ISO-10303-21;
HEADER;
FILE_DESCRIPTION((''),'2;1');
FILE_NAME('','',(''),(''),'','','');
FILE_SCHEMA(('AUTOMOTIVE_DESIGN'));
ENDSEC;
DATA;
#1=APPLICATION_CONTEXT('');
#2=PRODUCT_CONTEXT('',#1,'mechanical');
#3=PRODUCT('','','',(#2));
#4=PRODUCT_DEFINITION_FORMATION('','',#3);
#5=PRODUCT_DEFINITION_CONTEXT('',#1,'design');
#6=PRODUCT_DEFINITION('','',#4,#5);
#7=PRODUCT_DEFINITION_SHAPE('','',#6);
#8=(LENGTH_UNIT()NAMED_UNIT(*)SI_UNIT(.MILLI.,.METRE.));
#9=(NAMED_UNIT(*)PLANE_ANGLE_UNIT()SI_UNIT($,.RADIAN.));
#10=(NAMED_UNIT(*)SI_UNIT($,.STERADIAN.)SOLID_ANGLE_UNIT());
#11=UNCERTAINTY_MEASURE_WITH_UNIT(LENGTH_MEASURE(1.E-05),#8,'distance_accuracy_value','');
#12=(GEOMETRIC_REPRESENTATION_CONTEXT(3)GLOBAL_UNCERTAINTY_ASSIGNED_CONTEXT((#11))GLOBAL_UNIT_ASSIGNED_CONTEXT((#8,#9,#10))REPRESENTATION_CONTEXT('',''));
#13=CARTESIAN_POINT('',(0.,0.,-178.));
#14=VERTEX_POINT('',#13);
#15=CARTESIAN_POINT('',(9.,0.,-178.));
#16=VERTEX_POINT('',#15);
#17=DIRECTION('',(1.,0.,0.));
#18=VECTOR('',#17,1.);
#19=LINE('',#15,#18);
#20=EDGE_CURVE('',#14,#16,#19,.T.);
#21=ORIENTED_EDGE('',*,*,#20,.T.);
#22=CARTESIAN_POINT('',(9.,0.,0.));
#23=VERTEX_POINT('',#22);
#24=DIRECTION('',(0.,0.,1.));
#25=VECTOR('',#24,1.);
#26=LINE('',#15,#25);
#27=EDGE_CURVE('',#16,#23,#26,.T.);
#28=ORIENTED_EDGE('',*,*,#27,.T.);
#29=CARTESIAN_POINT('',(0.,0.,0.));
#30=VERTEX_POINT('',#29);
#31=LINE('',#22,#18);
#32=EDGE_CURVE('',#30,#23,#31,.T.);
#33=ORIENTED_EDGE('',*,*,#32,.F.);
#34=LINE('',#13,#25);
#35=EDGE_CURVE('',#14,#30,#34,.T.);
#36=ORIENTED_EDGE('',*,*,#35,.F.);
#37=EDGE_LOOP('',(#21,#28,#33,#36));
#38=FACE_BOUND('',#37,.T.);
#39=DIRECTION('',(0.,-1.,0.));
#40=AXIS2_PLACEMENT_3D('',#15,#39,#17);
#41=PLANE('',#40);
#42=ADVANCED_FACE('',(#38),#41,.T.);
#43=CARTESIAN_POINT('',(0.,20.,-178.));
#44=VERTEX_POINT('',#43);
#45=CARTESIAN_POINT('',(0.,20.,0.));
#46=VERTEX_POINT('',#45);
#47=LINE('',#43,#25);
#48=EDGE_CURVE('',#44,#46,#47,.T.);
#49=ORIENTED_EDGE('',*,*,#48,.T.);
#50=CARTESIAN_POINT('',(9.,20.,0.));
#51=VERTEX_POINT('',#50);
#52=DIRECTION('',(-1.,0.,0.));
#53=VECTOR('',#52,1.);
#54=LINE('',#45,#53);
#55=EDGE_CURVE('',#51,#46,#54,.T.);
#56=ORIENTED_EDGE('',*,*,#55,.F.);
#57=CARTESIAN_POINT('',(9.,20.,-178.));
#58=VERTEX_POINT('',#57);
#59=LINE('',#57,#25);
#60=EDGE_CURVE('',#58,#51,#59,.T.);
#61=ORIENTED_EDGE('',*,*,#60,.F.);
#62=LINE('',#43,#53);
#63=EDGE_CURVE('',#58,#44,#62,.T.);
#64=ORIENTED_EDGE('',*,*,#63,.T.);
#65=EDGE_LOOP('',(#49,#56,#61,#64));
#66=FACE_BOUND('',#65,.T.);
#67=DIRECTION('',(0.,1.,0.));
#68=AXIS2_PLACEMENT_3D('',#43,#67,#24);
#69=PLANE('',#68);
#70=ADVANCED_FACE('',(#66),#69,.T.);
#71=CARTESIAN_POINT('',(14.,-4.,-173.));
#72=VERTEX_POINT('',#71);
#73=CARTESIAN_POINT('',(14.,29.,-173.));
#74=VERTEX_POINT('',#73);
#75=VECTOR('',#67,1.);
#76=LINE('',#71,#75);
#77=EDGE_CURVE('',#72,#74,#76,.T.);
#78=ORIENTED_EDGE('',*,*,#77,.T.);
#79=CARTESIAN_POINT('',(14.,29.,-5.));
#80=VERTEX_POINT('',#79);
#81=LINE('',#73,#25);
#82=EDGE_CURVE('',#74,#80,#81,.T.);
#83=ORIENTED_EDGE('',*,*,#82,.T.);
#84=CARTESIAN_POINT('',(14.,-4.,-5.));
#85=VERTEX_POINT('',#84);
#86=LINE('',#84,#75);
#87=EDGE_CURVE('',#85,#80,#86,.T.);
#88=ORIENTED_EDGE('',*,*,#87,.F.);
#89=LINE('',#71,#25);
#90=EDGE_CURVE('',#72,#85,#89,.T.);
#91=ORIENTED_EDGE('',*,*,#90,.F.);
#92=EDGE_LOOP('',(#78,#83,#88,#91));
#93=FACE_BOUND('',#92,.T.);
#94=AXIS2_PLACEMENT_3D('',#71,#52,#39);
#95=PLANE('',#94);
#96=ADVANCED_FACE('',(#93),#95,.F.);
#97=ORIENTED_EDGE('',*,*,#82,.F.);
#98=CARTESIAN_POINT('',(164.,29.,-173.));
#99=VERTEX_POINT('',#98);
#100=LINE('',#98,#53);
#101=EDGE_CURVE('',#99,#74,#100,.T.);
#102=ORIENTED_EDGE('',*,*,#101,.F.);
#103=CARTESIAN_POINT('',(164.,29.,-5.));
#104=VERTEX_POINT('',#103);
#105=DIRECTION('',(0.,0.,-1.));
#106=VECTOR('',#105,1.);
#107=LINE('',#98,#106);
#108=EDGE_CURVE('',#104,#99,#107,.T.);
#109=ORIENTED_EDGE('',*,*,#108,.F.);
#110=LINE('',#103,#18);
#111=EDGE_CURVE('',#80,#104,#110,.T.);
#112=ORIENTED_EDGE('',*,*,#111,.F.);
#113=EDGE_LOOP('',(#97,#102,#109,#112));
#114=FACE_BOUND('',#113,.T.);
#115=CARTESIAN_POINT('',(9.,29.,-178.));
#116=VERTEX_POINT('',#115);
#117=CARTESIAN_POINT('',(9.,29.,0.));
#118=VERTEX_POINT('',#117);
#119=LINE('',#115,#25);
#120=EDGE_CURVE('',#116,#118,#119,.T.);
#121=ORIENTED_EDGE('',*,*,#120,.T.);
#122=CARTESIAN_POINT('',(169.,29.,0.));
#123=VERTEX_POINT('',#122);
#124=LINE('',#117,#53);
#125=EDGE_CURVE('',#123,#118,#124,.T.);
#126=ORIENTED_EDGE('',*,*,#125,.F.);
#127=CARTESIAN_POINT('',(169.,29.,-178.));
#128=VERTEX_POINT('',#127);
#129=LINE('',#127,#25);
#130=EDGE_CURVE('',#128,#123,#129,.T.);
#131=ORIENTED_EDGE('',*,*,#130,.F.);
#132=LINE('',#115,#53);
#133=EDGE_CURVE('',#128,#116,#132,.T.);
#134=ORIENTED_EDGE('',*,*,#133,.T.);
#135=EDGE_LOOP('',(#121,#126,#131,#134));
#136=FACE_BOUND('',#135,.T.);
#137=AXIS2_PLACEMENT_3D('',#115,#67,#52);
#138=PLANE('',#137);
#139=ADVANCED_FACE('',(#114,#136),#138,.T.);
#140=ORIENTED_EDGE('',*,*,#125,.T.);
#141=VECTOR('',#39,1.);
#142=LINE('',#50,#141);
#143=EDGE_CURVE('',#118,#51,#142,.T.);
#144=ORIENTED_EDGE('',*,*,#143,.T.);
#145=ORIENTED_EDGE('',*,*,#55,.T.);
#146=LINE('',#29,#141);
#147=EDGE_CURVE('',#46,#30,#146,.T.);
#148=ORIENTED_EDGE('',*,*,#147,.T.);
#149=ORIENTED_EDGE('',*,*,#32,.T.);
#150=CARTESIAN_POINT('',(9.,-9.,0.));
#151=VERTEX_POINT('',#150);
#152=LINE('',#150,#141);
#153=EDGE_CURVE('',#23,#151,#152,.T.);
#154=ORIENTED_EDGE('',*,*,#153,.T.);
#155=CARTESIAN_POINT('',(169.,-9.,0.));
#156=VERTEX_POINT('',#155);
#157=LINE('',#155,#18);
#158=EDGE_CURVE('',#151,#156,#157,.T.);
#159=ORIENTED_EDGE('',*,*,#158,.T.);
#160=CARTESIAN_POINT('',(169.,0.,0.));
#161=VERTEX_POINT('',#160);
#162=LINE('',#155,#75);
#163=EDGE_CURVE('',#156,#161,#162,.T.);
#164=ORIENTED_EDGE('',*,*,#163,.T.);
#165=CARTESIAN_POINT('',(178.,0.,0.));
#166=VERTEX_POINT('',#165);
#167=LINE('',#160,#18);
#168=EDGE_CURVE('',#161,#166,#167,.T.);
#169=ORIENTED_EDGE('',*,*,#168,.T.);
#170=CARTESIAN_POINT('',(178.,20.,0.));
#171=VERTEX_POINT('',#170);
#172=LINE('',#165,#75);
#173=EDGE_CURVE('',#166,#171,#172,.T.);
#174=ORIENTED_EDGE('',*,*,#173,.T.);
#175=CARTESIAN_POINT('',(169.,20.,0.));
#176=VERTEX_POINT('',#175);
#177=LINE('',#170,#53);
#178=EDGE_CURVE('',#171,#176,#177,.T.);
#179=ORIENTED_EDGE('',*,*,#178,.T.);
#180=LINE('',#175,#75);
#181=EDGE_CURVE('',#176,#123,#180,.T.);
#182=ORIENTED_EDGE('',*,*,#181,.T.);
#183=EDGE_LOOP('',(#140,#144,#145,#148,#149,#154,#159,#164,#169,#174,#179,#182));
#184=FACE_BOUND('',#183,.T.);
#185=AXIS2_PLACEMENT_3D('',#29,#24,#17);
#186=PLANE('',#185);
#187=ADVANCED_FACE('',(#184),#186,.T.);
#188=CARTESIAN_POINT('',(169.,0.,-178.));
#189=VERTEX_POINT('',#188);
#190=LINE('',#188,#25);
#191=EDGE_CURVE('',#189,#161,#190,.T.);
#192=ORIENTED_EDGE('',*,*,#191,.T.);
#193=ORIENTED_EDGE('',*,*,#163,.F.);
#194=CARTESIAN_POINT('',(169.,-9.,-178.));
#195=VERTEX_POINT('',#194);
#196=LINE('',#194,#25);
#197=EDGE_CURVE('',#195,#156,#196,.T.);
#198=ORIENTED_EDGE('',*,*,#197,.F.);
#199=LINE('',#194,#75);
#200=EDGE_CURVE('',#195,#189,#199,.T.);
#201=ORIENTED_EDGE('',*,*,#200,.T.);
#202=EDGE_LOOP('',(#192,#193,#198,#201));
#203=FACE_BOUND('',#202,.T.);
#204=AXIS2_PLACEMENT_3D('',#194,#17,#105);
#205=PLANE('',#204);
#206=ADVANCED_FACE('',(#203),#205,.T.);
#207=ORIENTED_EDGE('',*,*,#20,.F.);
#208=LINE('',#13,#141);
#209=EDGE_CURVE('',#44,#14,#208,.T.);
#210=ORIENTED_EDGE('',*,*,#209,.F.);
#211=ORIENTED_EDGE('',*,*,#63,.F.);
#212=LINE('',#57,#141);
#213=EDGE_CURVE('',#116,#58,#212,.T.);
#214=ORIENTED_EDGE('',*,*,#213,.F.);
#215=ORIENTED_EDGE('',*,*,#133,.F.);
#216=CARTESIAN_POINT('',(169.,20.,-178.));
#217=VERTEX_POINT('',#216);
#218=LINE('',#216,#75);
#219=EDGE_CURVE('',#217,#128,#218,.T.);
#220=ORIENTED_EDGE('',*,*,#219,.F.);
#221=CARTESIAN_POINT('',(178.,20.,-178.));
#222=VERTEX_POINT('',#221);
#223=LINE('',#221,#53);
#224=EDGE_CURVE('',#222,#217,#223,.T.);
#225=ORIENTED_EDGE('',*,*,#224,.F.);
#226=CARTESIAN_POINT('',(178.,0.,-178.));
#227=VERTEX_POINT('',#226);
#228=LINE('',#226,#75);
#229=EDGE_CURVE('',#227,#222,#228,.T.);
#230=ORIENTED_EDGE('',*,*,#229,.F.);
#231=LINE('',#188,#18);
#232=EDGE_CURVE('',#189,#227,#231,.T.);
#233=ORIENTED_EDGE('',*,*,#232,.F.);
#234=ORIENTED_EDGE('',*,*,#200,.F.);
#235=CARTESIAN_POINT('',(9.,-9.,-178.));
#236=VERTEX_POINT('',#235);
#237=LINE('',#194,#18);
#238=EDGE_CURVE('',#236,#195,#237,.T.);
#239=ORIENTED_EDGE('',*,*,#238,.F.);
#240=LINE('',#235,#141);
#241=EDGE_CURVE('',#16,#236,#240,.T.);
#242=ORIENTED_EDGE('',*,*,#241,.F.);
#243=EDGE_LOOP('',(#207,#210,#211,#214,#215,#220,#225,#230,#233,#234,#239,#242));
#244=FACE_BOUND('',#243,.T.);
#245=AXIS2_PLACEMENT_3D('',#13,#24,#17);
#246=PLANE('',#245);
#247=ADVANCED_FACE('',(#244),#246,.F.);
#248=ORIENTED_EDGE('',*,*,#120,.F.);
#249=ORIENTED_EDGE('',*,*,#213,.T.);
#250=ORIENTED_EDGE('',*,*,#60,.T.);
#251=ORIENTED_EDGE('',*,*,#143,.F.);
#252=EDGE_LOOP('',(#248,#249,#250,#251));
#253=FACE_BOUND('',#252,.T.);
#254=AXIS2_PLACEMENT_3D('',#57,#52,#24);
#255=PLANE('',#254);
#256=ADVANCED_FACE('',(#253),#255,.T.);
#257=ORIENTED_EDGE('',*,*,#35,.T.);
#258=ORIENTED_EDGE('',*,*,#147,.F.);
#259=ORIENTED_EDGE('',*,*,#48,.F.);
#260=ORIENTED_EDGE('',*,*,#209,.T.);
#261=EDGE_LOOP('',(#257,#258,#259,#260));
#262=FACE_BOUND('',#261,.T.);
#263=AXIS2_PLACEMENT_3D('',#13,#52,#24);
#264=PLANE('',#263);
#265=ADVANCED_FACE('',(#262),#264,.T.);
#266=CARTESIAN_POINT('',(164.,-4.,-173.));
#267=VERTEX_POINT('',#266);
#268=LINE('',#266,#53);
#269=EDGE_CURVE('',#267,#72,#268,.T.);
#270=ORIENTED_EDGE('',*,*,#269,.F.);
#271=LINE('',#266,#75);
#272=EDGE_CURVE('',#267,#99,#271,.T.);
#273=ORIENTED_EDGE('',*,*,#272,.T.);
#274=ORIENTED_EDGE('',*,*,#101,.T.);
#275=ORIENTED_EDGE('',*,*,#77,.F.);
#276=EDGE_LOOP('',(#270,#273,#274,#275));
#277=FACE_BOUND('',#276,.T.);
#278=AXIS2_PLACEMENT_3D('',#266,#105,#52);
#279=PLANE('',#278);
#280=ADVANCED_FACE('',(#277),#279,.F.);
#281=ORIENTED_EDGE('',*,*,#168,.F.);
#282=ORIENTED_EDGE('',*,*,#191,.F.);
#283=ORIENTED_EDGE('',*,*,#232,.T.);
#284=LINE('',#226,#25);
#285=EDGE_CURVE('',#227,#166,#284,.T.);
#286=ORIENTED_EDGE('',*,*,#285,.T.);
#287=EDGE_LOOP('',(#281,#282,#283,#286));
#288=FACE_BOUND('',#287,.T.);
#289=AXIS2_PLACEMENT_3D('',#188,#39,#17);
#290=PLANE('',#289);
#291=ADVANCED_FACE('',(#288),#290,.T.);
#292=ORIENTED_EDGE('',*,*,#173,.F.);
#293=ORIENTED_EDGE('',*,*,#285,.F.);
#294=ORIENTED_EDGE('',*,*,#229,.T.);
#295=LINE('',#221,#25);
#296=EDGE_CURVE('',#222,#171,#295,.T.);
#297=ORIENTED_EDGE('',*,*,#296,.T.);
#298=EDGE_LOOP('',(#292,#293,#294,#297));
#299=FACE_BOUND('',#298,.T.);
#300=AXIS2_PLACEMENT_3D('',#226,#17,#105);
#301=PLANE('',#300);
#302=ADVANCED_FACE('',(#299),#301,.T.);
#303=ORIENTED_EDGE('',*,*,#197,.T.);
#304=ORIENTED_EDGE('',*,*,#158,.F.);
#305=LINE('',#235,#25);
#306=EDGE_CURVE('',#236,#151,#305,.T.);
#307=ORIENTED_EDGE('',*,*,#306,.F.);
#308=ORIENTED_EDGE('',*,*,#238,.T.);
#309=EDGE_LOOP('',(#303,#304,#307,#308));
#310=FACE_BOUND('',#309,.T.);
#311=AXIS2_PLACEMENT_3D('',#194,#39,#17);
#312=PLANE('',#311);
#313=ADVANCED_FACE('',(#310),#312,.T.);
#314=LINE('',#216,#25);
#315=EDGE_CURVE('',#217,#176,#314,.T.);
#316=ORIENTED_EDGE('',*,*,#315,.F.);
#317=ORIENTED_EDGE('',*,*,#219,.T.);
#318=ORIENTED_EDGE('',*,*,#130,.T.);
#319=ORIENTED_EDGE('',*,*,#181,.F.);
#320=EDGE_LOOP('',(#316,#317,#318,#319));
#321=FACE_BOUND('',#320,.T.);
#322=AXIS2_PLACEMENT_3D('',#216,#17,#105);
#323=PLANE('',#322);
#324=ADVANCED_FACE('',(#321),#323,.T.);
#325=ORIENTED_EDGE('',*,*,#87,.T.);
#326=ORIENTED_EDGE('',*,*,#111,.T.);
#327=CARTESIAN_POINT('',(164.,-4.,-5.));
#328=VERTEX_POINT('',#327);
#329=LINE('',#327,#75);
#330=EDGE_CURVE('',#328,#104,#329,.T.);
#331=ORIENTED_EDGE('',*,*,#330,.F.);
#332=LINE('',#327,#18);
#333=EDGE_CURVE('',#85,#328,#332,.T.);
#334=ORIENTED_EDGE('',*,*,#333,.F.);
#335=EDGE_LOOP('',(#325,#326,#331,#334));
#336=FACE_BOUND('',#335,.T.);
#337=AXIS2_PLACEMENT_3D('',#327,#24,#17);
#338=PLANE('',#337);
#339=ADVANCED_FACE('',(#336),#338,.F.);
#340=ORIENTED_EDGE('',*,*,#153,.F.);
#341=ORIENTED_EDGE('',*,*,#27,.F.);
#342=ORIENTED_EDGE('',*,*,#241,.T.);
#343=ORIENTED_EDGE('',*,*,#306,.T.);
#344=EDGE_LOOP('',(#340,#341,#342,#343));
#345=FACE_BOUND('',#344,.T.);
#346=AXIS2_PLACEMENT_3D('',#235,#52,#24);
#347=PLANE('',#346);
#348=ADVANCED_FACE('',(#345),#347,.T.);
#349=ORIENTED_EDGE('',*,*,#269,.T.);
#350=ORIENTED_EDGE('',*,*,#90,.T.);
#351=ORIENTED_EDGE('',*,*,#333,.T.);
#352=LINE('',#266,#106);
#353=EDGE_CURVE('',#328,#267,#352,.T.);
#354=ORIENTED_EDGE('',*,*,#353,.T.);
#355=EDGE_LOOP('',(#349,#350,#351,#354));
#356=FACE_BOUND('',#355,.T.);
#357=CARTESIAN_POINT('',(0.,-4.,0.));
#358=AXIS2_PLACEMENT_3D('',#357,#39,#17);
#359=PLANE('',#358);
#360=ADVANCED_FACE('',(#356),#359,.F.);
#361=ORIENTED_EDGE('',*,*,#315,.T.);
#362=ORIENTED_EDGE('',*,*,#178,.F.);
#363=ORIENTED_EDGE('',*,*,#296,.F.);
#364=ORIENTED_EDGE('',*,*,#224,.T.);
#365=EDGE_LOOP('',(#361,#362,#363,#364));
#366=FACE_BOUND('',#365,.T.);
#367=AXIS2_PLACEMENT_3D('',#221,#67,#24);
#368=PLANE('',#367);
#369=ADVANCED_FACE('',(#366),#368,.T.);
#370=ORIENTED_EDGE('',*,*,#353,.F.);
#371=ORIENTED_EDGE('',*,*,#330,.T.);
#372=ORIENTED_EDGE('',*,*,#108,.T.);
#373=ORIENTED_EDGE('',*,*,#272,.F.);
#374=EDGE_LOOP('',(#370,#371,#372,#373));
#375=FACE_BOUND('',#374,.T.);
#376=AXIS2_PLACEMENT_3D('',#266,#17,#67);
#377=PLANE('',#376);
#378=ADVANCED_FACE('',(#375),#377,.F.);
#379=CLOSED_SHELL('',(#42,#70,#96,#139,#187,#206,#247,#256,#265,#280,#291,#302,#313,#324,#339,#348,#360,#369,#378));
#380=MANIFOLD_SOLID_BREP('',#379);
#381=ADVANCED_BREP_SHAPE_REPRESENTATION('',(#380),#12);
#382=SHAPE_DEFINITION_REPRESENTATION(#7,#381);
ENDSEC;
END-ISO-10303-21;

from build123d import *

# Parameters (mm, degrees)
BOSS_EXTRUDE1_DEPTH = 178
SKETCH2_W           = 150
SKETCH2_H           = 168
CUT_EXTRUDE1_DEPTH  = 33


with BuildPart() as part:
    # Sketch1 → Boss-Extrude1 (new body)
    with BuildSketch(Plane.XY):
        Polygon((169, -9), (9, -9), (9, 0), (0, 0), (0, 20), (9, 20), (9, 29), (169, 29), (169, 20), (178, 20), (178, 0), (169, 0), align=None)
    extrude(amount=-BOSS_EXTRUDE1_DEPTH)

    # Sketch2 → Cut-Extrude1 (cut)
    with BuildSketch(Plane(origin=(0, 29, 0), x_dir=(1, 0, 0), z_dir=(0, 1, 0))):
        with Locations((89, 89)):
            Rectangle(SKETCH2_W, SKETCH2_H)
    extrude(amount=-CUT_EXTRUDE1_DEPTH, mode=Mode.SUBTRACT)


solid = part.part
